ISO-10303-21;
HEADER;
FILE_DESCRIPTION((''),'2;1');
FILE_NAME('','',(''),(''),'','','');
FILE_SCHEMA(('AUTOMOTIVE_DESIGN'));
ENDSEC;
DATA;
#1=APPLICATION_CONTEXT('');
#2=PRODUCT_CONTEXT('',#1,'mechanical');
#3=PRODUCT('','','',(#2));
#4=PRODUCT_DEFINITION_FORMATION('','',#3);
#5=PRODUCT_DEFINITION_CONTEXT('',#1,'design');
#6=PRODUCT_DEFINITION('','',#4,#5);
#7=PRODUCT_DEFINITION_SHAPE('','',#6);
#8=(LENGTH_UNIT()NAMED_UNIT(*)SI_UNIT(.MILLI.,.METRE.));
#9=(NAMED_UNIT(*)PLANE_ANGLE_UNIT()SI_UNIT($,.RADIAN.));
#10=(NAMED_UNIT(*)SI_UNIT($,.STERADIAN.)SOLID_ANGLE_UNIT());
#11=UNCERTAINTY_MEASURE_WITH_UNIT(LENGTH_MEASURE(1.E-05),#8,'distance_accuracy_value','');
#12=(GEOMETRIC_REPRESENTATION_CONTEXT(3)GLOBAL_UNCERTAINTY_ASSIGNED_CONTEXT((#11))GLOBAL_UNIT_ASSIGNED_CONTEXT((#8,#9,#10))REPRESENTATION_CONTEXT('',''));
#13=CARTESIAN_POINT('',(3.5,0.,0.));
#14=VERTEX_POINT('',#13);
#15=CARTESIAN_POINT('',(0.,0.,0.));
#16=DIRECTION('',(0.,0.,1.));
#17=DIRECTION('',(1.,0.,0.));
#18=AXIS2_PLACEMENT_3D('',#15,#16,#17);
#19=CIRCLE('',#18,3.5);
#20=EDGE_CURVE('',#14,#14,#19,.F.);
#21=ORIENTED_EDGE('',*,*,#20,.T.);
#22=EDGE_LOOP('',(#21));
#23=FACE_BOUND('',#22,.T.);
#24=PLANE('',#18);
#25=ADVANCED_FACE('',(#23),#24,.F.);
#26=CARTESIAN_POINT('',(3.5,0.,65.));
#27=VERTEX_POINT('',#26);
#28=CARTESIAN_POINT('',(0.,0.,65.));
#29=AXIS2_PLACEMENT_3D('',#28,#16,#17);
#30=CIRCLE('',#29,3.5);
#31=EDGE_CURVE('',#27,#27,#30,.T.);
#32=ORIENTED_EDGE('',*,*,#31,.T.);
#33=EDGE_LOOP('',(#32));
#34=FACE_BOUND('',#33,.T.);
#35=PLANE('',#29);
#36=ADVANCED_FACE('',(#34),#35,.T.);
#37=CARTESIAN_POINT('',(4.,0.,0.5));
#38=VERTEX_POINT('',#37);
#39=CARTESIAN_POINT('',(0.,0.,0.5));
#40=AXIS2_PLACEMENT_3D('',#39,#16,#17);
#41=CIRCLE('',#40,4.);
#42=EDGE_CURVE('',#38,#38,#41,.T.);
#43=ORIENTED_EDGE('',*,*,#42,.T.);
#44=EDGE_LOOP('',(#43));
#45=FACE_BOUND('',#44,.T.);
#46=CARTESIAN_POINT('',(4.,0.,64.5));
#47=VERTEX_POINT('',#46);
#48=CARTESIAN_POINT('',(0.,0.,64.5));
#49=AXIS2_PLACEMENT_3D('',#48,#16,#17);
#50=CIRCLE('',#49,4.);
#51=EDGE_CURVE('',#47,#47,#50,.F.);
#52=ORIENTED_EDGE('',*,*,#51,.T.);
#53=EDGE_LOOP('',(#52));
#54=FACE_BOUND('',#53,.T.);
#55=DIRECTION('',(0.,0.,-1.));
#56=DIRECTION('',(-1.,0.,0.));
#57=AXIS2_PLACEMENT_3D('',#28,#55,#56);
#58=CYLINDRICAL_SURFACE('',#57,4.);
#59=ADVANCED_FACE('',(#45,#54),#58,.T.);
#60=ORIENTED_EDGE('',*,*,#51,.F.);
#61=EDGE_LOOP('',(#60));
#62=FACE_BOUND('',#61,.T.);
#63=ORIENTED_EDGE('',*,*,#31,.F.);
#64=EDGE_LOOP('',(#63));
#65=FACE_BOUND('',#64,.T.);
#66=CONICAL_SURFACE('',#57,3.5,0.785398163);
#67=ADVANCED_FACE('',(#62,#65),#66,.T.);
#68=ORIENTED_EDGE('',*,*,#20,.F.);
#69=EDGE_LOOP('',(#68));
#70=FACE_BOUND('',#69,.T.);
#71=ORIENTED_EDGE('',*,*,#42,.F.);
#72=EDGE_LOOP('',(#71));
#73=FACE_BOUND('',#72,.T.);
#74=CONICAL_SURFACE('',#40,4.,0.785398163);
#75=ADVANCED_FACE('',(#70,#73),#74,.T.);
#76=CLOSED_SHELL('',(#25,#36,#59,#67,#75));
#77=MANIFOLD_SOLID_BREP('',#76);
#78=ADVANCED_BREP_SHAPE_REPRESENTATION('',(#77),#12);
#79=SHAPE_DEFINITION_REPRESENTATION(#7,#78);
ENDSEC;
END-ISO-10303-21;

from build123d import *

# Parameters (mm, degrees)
ESQUISSE1_R        = 4
BOSS_EXTRU_1_DEPTH = 65
CHANFREIN1_SIZE    = 0.5


with BuildPart() as part:
    # Esquisse1 → Boss.-Extru.1 (new body)
    with BuildSketch(Plane.XY):
        Circle(ESQUISSE1_R)
    extrude(amount=BOSS_EXTRU_1_DEPTH)

    # Chanfrein1
    chanfrein1_edges = [part.edges().sort_by_distance(p)[0] for p in [
        (-4, 0, 0),
        (-4, 0, 65),
    ]]
    chamfer(chanfrein1_edges, length=CHANFREIN1_SIZE)


solid = part.part
